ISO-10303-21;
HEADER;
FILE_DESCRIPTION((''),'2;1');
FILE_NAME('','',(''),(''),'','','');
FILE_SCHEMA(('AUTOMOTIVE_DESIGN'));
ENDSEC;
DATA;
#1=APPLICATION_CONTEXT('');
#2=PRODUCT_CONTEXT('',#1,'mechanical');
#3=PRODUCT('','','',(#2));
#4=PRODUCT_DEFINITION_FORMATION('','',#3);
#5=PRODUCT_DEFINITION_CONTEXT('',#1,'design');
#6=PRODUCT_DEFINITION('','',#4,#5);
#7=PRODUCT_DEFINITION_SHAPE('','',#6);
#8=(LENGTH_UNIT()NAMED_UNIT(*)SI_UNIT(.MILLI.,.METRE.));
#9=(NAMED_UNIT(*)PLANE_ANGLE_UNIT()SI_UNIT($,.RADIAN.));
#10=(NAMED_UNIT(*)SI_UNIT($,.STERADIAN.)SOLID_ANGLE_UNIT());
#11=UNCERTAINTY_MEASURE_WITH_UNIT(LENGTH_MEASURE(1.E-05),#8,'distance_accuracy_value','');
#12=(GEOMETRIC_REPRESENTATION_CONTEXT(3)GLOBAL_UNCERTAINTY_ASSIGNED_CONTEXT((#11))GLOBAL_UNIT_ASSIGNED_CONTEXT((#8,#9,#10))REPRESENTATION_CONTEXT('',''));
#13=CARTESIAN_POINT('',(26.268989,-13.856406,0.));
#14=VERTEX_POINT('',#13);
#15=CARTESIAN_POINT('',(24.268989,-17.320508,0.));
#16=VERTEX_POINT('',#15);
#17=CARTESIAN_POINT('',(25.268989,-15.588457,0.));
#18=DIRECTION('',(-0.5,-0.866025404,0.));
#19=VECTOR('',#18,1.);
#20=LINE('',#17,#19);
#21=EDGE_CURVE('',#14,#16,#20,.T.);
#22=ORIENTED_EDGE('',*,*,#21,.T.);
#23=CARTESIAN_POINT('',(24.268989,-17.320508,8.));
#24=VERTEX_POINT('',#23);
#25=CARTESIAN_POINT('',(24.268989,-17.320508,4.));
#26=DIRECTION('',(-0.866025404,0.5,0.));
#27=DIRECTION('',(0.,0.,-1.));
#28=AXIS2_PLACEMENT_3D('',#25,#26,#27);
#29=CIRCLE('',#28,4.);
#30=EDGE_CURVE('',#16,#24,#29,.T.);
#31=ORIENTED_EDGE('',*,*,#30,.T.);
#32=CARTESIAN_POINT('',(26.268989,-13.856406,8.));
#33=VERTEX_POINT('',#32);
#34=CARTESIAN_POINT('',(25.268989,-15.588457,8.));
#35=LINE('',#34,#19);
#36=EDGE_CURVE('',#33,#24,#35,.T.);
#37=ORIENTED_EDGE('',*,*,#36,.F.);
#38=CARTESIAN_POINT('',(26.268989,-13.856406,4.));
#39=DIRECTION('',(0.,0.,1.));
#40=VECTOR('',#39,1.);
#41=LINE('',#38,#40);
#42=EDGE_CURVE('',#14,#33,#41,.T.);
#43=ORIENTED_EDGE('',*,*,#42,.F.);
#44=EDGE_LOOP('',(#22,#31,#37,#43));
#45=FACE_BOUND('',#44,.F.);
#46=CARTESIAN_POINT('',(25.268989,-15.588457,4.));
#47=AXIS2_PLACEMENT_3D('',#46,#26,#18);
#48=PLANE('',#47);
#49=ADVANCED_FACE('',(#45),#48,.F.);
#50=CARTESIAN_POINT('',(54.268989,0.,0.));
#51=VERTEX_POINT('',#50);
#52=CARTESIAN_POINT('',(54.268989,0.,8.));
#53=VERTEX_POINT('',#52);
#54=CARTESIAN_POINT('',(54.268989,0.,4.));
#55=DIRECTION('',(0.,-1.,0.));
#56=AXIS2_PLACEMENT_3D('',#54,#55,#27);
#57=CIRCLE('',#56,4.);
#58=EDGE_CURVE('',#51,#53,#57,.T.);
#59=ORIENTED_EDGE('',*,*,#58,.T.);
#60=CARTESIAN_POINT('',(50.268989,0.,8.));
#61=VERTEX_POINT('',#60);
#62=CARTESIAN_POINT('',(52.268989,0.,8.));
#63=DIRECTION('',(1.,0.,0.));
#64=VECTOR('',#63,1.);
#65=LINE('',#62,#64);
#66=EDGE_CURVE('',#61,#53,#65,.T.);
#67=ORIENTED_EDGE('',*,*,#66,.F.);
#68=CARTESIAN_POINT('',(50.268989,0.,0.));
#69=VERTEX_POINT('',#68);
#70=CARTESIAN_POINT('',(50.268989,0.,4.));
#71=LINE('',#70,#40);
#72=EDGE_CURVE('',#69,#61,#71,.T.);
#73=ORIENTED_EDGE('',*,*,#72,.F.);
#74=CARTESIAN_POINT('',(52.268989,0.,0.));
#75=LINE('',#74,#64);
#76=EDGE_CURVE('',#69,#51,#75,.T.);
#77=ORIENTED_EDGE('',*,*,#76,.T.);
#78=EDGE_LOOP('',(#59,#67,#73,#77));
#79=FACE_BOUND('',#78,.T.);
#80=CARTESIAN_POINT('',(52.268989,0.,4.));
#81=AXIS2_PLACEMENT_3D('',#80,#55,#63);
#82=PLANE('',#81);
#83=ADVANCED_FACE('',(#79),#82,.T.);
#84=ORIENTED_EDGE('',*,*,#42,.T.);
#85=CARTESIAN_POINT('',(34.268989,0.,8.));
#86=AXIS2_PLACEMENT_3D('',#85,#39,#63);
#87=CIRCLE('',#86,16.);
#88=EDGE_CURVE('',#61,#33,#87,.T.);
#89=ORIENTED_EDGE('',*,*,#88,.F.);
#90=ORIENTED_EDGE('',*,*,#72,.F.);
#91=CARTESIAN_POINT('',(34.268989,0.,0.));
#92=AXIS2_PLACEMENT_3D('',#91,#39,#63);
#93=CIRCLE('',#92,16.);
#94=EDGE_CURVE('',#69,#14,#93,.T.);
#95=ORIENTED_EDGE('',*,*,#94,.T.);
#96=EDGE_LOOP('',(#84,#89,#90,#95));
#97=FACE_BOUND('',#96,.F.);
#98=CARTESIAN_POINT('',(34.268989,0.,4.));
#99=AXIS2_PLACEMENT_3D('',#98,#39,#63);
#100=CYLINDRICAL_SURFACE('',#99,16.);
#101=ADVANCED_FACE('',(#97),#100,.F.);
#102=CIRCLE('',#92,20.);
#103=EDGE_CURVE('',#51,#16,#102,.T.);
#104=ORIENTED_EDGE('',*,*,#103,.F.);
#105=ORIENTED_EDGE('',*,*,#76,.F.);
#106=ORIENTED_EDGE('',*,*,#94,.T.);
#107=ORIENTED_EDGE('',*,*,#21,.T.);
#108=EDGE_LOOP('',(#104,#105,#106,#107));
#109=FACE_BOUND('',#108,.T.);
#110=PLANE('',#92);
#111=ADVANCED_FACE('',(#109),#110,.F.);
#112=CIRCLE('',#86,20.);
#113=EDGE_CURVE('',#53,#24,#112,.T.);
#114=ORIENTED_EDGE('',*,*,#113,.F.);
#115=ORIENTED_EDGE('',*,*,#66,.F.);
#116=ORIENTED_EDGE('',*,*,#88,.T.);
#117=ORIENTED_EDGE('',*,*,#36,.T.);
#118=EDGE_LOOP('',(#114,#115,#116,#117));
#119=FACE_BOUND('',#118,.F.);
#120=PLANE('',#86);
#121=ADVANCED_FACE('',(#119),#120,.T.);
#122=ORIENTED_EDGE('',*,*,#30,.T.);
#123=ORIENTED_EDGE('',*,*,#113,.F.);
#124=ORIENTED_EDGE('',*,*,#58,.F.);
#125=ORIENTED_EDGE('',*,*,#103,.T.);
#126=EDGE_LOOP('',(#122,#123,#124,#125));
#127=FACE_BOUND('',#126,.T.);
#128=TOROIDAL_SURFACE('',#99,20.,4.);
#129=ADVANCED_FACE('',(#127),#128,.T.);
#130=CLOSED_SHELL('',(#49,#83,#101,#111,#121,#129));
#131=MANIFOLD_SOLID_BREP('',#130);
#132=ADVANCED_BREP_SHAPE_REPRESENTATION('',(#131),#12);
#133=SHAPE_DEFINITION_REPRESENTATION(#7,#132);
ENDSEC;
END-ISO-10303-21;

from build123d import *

# Parameters (mm, degrees)
F0_W     = 4
F0_H     = 8
F1_ANGLE = 240


with BuildPart() as f1:
    # F0 (on Front) → F1 (revolve)
    with BuildSketch(Plane.XZ):
        with Locations((52.268989, 4)):
            Rectangle(F0_W, F0_H)
        with BuildLine():
            Line((54.268989, 8), (54.268989, 0))
            ThreePointArc((54.268989, 0), (58.268989, 4), (54.268989, 8))
        make_face()
    revolve(axis=Axis((34.268989, 0, 6.415703), (0, 0, 1)), revolution_arc=F1_ANGLE)


solid = f1.part
